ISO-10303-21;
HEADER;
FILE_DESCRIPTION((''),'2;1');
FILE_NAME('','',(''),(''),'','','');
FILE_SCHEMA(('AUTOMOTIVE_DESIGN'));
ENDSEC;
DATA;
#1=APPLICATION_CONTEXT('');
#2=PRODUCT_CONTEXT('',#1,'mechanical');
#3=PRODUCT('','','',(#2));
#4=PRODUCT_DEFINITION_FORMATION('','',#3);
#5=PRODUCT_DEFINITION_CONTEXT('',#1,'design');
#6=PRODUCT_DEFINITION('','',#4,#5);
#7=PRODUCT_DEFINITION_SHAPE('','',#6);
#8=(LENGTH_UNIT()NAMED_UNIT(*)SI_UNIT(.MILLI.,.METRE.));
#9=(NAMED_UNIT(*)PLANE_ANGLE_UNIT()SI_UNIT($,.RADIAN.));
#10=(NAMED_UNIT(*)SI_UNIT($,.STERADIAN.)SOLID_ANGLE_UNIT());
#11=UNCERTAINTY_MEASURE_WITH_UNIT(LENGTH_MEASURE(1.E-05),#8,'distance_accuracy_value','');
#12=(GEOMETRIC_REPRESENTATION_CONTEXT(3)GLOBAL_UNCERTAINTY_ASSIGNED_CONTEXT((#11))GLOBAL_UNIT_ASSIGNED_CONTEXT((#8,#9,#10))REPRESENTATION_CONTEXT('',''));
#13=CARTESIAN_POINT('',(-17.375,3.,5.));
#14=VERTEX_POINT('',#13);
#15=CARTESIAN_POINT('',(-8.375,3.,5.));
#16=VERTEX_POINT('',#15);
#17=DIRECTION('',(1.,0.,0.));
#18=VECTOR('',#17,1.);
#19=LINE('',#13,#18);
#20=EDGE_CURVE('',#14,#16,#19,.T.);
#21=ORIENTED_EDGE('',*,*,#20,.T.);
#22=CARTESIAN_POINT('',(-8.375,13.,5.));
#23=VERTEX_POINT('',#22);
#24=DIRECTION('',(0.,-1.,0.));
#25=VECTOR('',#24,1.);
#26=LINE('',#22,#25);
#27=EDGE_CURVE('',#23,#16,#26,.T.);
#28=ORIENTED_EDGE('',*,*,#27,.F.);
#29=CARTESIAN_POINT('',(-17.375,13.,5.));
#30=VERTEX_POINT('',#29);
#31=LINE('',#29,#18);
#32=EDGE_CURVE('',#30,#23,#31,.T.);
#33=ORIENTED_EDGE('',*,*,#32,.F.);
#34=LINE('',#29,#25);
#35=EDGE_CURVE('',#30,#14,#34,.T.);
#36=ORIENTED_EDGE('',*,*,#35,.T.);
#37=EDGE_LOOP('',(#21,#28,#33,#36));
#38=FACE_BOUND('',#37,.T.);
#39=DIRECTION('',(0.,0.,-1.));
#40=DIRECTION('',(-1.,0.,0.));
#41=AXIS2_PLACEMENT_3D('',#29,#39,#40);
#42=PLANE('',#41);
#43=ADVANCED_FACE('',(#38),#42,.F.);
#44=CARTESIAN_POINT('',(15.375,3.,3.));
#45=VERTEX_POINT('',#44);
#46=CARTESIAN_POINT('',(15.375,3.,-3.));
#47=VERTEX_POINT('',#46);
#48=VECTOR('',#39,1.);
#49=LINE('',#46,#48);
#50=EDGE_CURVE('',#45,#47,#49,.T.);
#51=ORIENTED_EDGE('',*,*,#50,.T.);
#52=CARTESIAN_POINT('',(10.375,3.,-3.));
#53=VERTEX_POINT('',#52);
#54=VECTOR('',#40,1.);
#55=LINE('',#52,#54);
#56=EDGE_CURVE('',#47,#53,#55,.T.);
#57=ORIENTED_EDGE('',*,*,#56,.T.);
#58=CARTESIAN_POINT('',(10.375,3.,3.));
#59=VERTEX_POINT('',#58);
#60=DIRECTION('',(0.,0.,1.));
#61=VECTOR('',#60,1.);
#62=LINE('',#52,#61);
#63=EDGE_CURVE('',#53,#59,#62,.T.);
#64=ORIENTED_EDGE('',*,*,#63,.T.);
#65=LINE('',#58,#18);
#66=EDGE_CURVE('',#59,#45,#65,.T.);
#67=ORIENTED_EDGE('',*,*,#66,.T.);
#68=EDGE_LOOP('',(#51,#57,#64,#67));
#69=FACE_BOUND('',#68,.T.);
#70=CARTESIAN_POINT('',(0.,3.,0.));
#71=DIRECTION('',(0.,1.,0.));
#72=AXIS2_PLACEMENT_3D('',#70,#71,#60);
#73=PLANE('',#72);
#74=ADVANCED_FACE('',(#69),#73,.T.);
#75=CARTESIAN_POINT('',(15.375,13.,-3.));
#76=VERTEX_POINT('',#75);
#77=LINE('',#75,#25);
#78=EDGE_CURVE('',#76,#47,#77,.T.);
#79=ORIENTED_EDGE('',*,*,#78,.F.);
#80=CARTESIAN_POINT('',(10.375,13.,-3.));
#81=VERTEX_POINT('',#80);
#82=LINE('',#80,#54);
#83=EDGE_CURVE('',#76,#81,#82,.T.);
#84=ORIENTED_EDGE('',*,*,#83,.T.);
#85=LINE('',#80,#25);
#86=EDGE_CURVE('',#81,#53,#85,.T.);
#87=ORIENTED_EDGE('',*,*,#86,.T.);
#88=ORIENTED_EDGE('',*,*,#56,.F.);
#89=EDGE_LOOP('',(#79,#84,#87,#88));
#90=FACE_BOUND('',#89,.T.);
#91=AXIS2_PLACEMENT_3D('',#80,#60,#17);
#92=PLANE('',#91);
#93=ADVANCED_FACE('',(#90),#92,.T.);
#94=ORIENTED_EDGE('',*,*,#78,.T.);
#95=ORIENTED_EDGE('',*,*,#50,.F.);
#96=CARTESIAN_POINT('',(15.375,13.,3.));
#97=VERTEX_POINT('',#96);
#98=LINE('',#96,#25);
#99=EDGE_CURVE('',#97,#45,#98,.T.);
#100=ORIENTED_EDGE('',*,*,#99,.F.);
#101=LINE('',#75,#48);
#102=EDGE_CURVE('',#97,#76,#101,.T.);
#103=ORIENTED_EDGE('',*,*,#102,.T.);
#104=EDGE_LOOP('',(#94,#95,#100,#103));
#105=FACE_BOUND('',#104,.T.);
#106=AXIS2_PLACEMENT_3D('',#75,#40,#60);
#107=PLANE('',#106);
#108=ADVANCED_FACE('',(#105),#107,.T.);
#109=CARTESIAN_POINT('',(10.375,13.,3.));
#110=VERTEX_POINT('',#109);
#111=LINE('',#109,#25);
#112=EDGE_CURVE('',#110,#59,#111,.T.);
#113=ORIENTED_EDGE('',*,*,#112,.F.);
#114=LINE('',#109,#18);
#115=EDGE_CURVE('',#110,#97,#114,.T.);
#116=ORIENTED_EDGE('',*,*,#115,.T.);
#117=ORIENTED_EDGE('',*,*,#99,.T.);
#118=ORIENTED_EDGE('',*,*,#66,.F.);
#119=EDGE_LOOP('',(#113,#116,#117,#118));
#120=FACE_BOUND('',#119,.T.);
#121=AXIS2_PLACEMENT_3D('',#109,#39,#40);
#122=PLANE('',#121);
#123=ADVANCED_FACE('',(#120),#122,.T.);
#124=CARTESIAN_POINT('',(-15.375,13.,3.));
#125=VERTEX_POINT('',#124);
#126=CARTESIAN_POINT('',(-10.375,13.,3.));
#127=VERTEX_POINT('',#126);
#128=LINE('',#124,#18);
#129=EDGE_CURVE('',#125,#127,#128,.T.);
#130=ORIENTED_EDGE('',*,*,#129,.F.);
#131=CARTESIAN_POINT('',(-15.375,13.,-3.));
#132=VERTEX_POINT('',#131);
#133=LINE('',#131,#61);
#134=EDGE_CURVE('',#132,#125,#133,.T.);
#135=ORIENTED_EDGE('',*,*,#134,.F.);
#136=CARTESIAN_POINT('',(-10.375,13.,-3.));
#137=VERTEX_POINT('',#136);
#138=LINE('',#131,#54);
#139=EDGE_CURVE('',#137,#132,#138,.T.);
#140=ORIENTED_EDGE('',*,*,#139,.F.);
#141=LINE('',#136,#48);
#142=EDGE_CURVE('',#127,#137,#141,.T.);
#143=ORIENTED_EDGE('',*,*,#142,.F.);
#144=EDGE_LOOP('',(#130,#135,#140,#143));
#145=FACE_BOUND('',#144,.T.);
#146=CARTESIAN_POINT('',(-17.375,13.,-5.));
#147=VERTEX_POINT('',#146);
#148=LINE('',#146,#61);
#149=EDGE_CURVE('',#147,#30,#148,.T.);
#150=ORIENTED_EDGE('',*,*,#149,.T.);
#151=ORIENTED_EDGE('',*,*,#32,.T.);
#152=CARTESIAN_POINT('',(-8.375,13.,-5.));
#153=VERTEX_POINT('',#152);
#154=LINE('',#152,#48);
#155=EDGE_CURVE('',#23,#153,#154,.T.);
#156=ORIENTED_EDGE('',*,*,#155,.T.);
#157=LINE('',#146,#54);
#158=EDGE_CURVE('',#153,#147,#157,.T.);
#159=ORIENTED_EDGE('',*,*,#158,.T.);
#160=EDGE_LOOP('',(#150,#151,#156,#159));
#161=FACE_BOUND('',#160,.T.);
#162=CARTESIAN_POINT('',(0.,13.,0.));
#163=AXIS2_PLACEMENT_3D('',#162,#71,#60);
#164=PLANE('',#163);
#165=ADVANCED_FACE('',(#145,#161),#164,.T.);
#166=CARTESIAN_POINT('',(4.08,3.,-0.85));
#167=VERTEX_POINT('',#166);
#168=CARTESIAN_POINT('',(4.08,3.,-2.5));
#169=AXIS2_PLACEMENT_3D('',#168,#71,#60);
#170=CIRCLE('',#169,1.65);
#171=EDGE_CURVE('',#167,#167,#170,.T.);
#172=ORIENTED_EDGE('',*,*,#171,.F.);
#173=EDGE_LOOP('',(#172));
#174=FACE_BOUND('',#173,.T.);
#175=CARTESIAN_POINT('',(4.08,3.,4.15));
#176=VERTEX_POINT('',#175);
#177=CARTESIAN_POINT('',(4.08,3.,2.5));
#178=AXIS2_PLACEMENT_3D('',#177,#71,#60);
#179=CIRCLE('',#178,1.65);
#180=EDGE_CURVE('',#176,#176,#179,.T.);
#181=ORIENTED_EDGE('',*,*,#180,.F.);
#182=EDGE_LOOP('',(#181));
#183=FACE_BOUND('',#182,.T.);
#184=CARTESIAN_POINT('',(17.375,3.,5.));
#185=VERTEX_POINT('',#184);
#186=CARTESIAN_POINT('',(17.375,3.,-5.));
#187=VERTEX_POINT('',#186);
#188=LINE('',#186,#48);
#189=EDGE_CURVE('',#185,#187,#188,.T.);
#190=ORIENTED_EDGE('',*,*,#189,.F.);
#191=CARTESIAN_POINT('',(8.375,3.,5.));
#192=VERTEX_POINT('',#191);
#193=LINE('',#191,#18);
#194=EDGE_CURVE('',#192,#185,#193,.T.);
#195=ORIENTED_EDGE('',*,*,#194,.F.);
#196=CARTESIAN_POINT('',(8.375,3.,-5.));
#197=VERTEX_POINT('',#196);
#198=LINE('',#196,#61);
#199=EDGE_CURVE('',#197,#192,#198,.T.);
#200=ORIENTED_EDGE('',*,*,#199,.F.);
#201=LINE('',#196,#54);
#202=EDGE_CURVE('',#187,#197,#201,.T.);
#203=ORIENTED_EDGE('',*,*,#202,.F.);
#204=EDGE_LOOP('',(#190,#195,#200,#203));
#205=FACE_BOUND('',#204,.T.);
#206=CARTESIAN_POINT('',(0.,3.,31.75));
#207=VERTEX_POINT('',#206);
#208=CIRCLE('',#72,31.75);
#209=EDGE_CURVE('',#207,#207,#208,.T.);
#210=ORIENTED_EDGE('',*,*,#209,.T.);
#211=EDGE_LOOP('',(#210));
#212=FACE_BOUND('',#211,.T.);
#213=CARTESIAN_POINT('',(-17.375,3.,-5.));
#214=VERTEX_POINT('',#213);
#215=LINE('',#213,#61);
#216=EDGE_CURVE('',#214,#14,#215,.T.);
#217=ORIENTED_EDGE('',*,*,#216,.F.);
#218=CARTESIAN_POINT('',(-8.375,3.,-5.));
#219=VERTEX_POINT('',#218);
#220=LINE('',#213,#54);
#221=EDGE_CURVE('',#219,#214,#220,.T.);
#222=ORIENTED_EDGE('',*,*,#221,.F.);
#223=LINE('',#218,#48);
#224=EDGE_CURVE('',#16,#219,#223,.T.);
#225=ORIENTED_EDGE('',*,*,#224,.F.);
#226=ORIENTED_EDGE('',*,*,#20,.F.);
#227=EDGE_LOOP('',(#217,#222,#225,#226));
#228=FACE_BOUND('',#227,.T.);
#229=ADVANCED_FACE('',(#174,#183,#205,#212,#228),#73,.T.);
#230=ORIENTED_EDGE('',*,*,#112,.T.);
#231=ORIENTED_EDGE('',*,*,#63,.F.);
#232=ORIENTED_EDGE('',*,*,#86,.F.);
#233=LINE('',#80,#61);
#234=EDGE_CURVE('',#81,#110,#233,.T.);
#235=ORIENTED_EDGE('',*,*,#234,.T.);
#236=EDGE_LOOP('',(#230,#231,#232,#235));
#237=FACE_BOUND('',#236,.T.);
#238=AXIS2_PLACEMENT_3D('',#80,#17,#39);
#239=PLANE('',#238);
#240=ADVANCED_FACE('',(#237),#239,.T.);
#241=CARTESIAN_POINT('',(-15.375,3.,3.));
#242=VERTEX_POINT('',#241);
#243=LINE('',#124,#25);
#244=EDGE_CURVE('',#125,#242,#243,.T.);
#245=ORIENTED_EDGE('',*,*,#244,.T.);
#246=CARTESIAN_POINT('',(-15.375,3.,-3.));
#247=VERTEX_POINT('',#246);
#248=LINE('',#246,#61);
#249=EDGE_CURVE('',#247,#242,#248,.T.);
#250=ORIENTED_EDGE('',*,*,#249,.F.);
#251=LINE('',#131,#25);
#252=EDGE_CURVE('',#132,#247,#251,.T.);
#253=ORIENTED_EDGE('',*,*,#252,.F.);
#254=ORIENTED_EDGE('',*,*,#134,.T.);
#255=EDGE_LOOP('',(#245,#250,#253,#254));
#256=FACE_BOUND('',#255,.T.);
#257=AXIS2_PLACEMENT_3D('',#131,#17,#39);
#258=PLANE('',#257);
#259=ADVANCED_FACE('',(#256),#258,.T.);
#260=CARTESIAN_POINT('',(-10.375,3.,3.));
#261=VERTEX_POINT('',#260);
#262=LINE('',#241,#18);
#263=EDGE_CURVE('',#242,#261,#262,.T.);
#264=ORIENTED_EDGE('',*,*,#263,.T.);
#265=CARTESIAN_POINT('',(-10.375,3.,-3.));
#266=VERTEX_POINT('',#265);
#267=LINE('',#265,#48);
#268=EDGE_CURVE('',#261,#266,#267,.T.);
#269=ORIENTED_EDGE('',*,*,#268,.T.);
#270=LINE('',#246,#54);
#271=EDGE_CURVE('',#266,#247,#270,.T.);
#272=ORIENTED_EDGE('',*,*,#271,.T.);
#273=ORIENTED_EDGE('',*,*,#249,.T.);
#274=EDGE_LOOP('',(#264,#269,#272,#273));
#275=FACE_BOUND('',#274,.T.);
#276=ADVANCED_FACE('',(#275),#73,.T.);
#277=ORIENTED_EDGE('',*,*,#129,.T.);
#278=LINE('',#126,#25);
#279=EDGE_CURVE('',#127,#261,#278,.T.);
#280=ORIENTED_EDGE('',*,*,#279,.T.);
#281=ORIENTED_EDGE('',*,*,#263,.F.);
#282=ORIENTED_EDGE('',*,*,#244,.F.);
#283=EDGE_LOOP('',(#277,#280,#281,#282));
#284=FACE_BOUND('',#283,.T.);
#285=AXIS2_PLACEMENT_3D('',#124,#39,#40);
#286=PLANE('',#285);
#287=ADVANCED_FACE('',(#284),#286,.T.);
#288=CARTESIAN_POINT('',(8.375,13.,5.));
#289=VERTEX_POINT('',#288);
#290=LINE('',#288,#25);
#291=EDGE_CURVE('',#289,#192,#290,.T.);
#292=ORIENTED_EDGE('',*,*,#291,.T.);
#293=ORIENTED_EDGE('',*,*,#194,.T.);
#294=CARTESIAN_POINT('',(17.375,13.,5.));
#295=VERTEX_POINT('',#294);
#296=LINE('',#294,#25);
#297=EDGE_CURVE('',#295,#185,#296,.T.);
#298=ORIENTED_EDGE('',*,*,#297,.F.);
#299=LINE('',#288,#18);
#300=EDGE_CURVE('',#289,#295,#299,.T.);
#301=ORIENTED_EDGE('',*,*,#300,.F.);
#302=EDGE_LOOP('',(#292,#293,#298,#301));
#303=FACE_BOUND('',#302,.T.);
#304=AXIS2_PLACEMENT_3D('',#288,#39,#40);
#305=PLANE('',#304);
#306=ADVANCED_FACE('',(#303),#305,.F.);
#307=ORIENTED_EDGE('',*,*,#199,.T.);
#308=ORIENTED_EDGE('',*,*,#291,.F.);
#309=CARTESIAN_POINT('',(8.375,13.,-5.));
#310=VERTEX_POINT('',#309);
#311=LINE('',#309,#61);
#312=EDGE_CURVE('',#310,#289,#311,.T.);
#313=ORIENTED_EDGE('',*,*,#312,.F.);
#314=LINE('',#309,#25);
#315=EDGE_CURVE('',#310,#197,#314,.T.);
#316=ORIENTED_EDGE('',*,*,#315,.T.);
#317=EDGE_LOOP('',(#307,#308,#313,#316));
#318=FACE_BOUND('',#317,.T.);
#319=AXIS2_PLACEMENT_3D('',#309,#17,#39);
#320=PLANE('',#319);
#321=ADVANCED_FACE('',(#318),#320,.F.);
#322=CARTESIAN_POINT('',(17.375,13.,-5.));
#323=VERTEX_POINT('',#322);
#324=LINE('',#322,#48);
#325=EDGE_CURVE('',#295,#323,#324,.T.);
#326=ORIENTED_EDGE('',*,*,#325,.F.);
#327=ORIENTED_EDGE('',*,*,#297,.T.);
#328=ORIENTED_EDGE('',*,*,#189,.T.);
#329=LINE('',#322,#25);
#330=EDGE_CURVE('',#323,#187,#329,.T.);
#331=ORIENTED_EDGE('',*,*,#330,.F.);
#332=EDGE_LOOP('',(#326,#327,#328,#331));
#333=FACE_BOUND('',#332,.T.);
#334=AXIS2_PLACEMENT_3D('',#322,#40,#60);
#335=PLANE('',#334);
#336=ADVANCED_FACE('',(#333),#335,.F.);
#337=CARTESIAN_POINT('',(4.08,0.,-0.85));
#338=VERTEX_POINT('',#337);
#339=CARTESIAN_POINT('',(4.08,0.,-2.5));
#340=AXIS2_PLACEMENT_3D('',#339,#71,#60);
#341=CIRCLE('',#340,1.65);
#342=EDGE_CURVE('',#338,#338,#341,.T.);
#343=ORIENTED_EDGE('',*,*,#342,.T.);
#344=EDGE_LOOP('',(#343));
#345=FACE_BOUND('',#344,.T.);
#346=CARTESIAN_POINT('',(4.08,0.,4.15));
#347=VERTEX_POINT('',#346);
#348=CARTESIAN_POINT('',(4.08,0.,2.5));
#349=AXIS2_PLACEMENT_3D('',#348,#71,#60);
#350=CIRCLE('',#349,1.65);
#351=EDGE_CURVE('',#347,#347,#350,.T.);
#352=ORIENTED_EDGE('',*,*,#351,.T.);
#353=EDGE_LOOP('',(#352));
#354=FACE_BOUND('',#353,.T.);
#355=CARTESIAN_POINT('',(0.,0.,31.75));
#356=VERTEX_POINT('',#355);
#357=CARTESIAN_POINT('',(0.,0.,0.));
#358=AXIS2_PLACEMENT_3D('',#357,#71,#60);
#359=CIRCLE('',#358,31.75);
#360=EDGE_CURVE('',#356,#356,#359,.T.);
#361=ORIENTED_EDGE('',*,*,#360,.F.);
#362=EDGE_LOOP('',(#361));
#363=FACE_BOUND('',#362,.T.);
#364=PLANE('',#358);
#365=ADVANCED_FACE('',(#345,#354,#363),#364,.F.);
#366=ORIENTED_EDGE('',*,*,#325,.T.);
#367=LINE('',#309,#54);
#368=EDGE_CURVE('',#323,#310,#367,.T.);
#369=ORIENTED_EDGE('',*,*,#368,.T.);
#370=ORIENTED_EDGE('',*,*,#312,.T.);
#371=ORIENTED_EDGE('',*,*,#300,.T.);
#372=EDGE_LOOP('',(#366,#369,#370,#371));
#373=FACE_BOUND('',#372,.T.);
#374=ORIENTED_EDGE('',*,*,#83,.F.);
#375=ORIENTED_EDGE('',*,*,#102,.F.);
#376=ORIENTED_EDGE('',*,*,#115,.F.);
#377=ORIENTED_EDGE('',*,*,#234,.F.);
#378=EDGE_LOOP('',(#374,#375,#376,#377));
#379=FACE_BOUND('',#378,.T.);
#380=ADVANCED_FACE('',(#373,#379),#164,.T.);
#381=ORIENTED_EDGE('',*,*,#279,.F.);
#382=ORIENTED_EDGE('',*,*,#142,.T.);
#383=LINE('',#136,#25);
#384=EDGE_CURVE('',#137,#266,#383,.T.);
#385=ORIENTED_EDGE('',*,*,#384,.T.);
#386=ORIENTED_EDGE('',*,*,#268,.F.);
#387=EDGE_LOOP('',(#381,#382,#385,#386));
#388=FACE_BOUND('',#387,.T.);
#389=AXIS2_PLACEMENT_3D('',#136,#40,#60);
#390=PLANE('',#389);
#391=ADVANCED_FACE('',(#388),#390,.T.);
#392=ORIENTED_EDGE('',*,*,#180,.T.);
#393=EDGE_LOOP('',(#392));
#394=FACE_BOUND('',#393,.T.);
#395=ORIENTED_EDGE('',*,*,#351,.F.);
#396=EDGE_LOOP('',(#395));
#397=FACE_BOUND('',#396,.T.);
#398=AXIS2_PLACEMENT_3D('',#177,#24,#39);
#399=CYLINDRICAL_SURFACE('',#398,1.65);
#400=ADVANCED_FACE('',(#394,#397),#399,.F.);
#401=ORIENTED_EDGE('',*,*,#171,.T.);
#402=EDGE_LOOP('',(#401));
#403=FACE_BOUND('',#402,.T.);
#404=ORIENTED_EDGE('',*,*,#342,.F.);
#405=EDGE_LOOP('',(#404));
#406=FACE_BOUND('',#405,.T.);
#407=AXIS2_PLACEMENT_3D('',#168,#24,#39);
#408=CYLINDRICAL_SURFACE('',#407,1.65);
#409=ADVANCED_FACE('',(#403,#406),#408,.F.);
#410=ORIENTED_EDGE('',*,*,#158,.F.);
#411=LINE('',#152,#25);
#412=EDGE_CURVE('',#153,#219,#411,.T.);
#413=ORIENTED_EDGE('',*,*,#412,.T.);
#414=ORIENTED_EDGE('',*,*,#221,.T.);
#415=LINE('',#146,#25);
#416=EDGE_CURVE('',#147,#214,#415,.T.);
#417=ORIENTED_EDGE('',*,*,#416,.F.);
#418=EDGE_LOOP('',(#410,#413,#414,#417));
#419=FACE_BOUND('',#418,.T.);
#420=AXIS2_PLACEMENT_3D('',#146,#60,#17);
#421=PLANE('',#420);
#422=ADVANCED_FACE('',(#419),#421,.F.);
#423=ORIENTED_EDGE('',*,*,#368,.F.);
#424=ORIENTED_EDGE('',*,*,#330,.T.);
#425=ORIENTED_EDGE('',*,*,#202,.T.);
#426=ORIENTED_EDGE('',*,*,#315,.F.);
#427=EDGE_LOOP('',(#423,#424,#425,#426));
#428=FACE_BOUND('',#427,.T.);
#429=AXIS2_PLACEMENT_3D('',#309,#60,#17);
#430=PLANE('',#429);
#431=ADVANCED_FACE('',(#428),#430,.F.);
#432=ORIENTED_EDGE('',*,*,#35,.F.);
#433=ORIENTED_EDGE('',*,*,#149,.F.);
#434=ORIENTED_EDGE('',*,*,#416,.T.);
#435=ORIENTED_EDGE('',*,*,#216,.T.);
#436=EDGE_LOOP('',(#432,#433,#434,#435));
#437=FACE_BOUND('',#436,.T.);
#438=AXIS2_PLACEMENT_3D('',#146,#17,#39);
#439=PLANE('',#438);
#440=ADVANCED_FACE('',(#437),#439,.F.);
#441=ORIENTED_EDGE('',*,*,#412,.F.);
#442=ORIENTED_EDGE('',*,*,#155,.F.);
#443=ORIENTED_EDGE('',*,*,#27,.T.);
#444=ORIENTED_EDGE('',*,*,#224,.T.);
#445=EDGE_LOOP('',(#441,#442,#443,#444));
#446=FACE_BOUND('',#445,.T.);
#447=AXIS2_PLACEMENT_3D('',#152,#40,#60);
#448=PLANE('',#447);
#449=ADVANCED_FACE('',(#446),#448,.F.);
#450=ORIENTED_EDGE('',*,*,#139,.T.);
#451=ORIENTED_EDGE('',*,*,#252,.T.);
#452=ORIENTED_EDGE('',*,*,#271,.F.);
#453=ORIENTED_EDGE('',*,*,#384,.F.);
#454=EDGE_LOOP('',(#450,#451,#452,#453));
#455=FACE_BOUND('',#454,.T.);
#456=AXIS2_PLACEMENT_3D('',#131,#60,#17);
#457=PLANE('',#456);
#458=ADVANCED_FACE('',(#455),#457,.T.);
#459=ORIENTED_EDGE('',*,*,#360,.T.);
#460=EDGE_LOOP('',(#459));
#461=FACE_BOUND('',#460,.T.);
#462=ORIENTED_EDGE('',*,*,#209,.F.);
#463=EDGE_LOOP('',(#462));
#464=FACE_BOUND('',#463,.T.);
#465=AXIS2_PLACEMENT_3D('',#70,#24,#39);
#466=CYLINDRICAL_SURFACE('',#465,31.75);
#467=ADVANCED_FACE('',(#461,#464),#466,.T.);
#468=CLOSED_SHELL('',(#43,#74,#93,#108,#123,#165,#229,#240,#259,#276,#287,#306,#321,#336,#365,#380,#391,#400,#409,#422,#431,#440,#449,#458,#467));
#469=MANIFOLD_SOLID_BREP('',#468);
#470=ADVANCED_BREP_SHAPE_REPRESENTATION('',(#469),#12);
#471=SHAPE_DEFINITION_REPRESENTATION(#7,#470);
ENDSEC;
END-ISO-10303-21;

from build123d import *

# Parameters (mm, degrees)
SKETCH1_R           = 31.75
SKETCH1_R_2         = 1.65
BOSS_EXTRUDE1_DEPTH = 3
SKETCH2_W           = 9
SKETCH2_H           = 10
SKETCH2_W_2         = 5
SKETCH2_H_2         = 6
BOSS_EXTRUDE2_DEPTH = 10


with BuildPart() as part:
    # Sketch1 → Boss-Extrude1 (new body)
    with BuildSketch(Plane(origin=(0, 0, 0), x_dir=(1, 0, 0), z_dir=(0, 1, 0))):
        with Locations(Location((0, 0, 0), (0, 0, 270))):
            Circle(SKETCH1_R)
        with Locations(Location((4.08, 2.5, 0), (0, 0, 270))):
            Circle(SKETCH1_R_2, mode=Mode.SUBTRACT)
        with Locations(Location((4.08, -2.5, 0), (0, 0, 270))):
            Circle(SKETCH1_R_2, mode=Mode.SUBTRACT)
    extrude(amount=BOSS_EXTRUDE1_DEPTH)

    # Sketch2 → Boss-Extrude2 (add)
    # profile 1 of 2: a face of its own
    with BuildSketch(Plane(origin=(0, 3, 0), x_dir=(1, 0, 0), z_dir=(0, 1, 0))):
        with Locations((12.875, 0)):
            Rectangle(SKETCH2_W, SKETCH2_H)
        with Locations((12.875, 0)):
            Rectangle(SKETCH2_W_2, SKETCH2_H_2, mode=Mode.SUBTRACT)
    # profile 2 of 2: a face of its own
    with BuildSketch(Plane(origin=(0, 3, 0), x_dir=(1, 0, 0), z_dir=(0, 1, 0))):
        with Locations((-12.875, 0)):
            Rectangle(SKETCH2_W, SKETCH2_H)
        with Locations((-12.875, 0)):
            Rectangle(SKETCH2_W_2, SKETCH2_H_2, mode=Mode.SUBTRACT)
    extrude(amount=BOSS_EXTRUDE2_DEPTH)


solid = part.part
